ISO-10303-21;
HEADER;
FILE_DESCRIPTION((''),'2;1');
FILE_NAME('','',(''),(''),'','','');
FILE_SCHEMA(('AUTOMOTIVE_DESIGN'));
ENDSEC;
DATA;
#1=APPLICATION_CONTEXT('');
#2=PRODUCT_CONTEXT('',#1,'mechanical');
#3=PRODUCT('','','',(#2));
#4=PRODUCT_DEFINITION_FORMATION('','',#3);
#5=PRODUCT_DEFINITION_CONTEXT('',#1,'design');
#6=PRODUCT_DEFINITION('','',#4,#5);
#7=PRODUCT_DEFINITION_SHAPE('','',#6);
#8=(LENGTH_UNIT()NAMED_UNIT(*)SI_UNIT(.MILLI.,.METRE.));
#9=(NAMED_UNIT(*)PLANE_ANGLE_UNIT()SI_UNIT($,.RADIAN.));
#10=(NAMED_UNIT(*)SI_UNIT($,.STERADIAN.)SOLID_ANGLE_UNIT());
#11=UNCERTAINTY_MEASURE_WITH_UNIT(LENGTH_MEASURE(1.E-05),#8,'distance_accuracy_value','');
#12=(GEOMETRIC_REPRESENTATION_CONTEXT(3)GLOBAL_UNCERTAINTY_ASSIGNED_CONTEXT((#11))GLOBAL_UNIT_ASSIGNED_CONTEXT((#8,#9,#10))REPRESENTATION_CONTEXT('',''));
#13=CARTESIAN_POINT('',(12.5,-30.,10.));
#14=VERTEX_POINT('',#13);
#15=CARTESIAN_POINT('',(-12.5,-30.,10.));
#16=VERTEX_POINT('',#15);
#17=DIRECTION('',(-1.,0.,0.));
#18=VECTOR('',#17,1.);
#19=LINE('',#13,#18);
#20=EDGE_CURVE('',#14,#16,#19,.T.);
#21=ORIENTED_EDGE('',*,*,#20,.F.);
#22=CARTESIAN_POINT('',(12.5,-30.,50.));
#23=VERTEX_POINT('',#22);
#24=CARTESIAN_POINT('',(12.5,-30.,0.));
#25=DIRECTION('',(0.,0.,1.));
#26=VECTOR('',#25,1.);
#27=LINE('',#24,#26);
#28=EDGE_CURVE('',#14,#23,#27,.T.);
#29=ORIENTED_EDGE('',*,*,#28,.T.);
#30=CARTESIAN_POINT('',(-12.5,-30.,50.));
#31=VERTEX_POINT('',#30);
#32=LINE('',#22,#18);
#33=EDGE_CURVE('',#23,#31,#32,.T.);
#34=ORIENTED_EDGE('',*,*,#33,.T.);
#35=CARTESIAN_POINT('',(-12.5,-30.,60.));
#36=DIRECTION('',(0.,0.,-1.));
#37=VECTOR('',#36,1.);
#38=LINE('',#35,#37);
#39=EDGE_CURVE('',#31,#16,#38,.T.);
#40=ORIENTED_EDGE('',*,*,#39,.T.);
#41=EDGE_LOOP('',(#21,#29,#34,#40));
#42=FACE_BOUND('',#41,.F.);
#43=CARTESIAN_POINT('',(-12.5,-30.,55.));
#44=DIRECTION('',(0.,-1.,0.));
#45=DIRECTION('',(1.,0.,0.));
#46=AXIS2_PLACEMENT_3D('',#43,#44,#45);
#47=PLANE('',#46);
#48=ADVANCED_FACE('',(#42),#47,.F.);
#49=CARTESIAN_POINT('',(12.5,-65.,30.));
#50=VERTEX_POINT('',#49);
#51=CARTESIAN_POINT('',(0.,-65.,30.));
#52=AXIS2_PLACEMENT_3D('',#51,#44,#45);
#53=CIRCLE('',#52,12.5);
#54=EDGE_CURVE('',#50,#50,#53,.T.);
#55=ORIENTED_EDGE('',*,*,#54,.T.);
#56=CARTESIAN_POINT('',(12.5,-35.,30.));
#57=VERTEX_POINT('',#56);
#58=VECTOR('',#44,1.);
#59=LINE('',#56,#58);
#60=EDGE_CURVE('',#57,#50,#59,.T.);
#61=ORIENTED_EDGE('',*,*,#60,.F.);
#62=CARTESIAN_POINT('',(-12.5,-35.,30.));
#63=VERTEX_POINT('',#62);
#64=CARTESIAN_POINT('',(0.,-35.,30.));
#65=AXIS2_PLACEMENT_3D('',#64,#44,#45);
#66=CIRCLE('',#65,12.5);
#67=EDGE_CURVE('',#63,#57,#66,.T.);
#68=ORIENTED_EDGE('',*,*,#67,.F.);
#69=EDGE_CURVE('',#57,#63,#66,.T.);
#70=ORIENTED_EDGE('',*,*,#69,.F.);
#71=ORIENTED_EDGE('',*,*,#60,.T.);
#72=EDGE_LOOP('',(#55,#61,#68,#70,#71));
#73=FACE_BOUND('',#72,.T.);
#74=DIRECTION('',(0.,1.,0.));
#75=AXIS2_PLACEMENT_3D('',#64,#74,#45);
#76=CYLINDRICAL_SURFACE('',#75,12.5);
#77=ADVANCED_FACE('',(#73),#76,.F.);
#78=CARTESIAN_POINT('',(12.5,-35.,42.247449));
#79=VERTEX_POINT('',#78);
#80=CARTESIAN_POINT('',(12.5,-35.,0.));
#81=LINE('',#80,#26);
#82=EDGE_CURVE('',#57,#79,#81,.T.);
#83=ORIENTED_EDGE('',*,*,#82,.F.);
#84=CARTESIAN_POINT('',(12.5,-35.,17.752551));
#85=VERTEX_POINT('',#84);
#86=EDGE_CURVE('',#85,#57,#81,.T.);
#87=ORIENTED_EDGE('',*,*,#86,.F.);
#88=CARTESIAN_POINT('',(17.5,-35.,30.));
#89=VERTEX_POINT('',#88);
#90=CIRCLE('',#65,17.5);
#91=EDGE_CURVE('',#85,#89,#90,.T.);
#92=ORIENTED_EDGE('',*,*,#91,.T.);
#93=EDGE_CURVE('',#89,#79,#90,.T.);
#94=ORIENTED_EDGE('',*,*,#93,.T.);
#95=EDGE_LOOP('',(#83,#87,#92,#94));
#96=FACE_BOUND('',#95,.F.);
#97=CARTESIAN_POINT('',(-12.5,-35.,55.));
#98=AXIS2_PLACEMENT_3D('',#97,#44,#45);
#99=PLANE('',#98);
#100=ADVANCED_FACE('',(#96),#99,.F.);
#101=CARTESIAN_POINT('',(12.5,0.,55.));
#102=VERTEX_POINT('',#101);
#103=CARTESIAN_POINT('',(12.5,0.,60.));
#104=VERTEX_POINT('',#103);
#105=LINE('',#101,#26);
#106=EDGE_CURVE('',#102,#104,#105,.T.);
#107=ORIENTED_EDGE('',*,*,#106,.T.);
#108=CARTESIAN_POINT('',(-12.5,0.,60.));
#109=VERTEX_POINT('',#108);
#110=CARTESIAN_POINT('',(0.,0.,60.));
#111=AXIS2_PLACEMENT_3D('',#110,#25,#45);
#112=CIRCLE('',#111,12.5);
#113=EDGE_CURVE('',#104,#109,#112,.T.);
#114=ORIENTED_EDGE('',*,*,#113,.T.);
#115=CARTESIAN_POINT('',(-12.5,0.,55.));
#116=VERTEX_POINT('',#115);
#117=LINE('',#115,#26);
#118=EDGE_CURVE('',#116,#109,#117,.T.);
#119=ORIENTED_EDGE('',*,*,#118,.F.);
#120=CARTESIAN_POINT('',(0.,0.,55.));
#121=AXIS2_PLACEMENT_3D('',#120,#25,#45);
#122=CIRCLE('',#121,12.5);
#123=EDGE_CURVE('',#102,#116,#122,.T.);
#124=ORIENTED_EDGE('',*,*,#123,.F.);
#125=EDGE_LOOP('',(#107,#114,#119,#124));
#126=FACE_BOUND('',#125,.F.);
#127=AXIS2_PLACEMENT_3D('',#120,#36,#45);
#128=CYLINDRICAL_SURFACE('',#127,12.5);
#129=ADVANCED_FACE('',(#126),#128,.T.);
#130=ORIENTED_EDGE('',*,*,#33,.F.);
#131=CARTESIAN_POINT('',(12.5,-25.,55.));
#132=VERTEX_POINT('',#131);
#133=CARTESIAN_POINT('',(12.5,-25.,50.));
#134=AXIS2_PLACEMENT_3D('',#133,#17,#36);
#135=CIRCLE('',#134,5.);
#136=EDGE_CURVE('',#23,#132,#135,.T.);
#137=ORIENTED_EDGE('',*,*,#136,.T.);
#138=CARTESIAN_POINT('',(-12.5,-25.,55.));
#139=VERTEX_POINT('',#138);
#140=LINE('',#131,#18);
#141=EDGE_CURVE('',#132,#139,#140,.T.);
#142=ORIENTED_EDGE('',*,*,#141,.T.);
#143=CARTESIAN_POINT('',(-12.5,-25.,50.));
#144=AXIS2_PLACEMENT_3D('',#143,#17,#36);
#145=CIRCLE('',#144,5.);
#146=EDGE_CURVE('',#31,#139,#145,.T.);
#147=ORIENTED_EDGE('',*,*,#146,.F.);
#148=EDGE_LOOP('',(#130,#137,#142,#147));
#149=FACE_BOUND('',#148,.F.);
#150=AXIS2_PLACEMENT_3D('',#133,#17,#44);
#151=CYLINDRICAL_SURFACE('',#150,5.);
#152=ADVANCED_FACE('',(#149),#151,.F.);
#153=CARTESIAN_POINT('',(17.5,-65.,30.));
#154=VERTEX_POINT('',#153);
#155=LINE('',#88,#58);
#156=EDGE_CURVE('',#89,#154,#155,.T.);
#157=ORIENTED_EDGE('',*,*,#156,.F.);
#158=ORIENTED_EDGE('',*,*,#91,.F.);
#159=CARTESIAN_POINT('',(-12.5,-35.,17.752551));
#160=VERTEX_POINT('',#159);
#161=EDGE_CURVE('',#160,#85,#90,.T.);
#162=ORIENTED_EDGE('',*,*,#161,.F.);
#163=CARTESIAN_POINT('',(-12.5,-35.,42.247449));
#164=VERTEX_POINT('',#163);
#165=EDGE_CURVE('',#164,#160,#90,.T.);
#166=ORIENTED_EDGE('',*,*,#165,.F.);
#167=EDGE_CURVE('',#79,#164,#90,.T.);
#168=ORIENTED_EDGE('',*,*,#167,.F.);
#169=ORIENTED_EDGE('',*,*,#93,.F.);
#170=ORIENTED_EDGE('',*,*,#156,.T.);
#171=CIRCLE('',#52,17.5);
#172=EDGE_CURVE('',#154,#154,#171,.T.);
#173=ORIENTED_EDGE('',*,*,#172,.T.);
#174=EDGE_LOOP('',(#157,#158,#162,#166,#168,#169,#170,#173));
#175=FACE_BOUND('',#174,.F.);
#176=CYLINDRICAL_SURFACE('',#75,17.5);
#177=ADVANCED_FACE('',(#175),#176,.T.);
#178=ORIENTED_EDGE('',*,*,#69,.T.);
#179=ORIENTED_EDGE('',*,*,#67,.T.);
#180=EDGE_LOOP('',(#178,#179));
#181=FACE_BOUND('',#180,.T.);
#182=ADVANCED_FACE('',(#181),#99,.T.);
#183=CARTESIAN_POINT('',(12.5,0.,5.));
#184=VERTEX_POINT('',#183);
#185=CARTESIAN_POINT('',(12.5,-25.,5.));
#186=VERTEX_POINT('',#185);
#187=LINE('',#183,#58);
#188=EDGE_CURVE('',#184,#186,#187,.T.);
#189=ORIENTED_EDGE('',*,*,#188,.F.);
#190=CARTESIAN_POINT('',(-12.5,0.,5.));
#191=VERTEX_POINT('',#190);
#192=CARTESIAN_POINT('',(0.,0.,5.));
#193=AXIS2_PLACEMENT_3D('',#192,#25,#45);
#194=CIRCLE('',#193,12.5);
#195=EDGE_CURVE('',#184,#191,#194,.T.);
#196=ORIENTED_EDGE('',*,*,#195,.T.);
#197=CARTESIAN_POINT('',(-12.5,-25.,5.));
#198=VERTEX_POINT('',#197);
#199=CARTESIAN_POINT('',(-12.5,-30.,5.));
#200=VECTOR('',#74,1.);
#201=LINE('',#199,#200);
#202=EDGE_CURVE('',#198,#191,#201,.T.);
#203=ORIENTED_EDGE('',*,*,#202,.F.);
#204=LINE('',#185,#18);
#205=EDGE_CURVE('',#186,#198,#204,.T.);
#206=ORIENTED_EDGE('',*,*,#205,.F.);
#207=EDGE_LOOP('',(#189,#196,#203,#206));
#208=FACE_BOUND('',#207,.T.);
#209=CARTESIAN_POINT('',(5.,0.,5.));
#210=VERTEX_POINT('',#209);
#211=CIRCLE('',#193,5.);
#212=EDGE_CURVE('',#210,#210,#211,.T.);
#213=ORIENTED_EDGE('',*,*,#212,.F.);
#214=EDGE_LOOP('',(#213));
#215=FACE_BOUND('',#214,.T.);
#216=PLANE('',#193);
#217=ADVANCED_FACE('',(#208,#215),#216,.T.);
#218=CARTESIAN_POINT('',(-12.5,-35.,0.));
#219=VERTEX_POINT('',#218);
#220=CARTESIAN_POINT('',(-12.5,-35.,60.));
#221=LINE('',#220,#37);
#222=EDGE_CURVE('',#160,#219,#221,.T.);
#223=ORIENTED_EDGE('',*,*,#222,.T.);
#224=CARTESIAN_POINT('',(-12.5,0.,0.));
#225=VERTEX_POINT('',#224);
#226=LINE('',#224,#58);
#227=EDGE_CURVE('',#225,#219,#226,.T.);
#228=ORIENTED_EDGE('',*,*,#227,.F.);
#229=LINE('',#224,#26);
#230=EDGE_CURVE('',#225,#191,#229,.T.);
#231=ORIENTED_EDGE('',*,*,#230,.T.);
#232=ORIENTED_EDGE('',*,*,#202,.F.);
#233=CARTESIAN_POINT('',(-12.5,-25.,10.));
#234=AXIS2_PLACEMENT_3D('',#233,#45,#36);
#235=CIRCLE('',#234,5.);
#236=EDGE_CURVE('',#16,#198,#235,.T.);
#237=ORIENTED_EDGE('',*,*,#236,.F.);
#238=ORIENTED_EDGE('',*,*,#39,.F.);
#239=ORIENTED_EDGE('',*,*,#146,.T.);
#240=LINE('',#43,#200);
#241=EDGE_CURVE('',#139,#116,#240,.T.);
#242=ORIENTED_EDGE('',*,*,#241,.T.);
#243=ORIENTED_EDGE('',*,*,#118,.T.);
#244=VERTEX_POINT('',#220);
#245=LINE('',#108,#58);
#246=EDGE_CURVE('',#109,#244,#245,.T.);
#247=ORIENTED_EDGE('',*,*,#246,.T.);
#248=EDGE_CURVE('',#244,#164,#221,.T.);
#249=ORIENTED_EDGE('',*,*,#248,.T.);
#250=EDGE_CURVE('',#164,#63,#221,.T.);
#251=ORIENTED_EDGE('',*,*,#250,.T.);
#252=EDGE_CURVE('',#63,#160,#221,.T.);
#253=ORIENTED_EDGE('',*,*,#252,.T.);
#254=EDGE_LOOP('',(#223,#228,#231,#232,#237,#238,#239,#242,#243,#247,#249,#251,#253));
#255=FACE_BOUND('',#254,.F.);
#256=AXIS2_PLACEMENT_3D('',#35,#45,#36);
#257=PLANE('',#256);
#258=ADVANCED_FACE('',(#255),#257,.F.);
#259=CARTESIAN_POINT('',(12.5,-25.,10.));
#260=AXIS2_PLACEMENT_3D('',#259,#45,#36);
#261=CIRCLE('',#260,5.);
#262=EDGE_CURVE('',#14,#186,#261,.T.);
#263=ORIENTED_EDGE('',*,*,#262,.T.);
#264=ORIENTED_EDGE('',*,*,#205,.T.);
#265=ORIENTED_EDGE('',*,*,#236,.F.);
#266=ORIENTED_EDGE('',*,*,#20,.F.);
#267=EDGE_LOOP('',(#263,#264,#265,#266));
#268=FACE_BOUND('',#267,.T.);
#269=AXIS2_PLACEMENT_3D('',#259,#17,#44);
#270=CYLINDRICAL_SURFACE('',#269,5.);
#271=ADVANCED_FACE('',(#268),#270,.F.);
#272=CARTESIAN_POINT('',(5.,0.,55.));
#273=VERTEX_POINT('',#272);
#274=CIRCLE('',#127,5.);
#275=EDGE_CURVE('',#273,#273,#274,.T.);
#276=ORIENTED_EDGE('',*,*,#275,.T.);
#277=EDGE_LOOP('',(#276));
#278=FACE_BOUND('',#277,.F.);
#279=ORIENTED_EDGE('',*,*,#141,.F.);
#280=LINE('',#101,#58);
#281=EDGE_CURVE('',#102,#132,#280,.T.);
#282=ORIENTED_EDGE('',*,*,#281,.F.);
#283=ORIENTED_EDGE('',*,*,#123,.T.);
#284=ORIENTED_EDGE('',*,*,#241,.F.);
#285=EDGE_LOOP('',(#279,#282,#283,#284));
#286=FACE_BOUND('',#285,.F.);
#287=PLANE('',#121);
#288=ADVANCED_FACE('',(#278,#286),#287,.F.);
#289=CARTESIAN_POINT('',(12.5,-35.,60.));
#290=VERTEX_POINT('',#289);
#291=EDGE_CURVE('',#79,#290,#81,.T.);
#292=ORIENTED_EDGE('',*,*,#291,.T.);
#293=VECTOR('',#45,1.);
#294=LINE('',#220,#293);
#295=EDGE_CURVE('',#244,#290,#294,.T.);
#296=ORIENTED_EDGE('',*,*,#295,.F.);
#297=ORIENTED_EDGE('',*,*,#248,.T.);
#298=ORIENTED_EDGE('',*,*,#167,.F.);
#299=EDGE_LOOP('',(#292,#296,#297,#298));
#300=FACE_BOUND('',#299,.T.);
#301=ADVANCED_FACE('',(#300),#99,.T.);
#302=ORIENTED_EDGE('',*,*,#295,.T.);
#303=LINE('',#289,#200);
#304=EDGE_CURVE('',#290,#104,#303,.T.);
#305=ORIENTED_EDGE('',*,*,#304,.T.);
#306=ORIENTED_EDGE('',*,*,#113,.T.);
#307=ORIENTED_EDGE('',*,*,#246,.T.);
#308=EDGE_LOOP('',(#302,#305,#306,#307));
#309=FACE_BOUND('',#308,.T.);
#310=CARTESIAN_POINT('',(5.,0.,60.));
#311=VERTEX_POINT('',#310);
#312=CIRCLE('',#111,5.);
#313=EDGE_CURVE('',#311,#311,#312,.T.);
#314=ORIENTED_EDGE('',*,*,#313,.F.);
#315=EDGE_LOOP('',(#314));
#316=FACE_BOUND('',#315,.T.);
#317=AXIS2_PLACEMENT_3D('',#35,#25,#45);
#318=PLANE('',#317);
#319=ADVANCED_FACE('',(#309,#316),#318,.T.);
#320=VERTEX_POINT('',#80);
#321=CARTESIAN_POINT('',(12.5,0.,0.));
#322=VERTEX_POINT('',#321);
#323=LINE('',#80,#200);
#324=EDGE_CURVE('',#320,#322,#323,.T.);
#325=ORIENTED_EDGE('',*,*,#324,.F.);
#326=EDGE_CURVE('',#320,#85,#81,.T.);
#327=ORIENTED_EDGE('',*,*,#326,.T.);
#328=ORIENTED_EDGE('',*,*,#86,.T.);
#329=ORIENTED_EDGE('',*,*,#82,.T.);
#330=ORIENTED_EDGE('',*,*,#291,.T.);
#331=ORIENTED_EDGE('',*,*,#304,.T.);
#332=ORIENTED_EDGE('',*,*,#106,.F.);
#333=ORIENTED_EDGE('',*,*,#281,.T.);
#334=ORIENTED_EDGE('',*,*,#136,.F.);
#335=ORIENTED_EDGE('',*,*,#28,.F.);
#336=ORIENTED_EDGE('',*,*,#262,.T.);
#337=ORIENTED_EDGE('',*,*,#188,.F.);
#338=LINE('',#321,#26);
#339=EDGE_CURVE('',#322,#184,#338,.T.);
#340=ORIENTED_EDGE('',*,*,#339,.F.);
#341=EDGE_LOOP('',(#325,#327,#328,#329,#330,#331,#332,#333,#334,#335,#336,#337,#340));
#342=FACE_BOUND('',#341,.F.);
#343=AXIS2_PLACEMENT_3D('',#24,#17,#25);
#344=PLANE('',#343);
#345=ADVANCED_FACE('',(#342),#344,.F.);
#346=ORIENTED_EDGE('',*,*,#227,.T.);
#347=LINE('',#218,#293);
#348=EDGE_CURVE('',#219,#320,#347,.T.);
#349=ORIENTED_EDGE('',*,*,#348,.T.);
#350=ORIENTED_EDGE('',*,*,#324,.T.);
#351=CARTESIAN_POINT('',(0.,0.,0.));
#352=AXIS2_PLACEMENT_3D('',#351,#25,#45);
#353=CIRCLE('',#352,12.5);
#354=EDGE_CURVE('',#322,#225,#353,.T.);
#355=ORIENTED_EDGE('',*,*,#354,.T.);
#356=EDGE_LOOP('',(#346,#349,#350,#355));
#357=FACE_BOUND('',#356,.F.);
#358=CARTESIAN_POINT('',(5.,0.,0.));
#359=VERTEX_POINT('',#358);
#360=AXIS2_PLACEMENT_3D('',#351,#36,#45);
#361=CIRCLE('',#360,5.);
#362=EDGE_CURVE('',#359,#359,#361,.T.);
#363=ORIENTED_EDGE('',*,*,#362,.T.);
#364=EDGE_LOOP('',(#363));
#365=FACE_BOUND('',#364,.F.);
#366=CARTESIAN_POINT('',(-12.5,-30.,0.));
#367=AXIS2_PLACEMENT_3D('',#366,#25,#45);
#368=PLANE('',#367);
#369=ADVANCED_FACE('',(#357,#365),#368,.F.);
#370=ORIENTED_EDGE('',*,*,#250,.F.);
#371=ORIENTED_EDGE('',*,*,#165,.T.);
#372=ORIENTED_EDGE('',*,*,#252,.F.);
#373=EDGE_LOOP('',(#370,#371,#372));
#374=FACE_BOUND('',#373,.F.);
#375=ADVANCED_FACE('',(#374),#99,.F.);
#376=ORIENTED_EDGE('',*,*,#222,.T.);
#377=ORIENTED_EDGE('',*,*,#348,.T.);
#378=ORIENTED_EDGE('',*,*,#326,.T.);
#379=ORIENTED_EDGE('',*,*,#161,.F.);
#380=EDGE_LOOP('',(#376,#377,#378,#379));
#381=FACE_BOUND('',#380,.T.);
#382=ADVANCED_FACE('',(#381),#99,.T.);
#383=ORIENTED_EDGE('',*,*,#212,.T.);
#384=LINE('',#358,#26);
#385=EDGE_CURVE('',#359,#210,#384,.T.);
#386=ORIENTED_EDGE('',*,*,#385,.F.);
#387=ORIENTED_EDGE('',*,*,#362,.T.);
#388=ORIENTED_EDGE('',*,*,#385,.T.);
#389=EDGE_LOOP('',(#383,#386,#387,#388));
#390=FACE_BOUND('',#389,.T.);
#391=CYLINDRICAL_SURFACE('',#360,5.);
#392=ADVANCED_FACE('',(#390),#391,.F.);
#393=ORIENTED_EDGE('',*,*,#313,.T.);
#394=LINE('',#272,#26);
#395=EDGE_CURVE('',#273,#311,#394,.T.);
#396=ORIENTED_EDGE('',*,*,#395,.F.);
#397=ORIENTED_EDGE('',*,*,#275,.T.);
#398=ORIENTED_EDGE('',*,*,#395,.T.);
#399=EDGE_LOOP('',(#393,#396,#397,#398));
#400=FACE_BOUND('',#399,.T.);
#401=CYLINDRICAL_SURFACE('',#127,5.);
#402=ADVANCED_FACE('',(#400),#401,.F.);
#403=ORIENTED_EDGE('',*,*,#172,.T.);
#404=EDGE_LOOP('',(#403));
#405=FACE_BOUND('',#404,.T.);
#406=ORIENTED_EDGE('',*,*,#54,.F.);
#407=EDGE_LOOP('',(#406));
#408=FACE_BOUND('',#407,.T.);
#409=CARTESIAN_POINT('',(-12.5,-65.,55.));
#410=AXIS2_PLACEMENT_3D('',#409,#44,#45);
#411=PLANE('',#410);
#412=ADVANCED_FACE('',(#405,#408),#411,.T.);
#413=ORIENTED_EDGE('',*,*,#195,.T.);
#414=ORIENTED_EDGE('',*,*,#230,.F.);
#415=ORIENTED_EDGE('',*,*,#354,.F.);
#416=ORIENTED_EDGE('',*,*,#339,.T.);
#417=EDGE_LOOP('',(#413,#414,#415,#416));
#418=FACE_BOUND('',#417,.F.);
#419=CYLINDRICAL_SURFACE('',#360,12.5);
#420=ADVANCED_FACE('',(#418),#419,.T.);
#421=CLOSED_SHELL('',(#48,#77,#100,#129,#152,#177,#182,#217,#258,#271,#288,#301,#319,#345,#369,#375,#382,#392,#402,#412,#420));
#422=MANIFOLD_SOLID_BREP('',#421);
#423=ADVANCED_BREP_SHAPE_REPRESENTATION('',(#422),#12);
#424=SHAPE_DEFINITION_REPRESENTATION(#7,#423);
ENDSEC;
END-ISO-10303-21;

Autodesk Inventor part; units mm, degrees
ref_plane "YZ Plane" through (0, 0, 0) normal (1, 0, 0) x (0, 1, 0)
ref_plane "XZ Plane" through (0, 0, 0) normal (0, 1, 0) x (-1, 0, 0)
ref_plane "XY Plane" through (0, 0, 0) normal (0, 0, 1) x (1, 0, 0)
sketch "Sketch1" plane through (0, 0, 0) normal (0, 0, 1) x (1, 0, 0)
  circle A0 centre (0, 0) radius 5
  circle A1 centre (0, 0) radius 12.5
  line L0 (-12.5, 0) -> (12.5, 0)
  line L1 (12.5, 0) -> (12.5, -30)
  line L2 (12.5, -30) -> (-12.5, -30)
  line L3 (-12.5, -30) -> (-12.5, 0)
  dimension "d1" = 25
  dimension "d0" = 10
  dimension "d2" = 25
  dimension "d3" = 30
extrude "Extrusion1" add sketch "Sketch1" along normal blind 5 contours L0 A1 A0 | A0 L0 A1 | L1 L2 L3 A1
pattern_linear "Rectangular Pattern1" count 2 spacing 55 along (0, 0, 1) of "Extrusion1"
sketch "Sketch2" plane through (-12.5, -30, 55) normal (0, -1, 0) x (1, 0, 0)
  line L0 (0, 5) -> (25, 5) projected
  line L1 (25, 5) -> (0, 5)
  line L2 (0, 5) -> (0, -55)
  line L3 (0, -55) -> (25, -55)
  line L4 (25, -55) -> (25, 5)
  point P0 (12.5, -55)
extrude "Extrusion2" add sketch "Sketch2" along normal blind 5
fillet "Fillet1" radius 5 2 edges at (0, -30, 5) (0, -30, 55)
sketch "Sketch3" plane through (-12.5, -35, 55) normal (0, -1, 0) x (1, 0, 0)
  circle A0 centre (12.5, -25) radius 17.5
  circle A1 centre (12.5, -25) radius 12.5
  line L0 (0, -55) -> (25, -55) projected
  point P0 (12.5, -55)
  dimension "d12" = 35
  dimension "d15" = 30
extrude "Extrusion3" add sketch "Sketch3" along normal blind 30
properties part number "uJoint.1"
